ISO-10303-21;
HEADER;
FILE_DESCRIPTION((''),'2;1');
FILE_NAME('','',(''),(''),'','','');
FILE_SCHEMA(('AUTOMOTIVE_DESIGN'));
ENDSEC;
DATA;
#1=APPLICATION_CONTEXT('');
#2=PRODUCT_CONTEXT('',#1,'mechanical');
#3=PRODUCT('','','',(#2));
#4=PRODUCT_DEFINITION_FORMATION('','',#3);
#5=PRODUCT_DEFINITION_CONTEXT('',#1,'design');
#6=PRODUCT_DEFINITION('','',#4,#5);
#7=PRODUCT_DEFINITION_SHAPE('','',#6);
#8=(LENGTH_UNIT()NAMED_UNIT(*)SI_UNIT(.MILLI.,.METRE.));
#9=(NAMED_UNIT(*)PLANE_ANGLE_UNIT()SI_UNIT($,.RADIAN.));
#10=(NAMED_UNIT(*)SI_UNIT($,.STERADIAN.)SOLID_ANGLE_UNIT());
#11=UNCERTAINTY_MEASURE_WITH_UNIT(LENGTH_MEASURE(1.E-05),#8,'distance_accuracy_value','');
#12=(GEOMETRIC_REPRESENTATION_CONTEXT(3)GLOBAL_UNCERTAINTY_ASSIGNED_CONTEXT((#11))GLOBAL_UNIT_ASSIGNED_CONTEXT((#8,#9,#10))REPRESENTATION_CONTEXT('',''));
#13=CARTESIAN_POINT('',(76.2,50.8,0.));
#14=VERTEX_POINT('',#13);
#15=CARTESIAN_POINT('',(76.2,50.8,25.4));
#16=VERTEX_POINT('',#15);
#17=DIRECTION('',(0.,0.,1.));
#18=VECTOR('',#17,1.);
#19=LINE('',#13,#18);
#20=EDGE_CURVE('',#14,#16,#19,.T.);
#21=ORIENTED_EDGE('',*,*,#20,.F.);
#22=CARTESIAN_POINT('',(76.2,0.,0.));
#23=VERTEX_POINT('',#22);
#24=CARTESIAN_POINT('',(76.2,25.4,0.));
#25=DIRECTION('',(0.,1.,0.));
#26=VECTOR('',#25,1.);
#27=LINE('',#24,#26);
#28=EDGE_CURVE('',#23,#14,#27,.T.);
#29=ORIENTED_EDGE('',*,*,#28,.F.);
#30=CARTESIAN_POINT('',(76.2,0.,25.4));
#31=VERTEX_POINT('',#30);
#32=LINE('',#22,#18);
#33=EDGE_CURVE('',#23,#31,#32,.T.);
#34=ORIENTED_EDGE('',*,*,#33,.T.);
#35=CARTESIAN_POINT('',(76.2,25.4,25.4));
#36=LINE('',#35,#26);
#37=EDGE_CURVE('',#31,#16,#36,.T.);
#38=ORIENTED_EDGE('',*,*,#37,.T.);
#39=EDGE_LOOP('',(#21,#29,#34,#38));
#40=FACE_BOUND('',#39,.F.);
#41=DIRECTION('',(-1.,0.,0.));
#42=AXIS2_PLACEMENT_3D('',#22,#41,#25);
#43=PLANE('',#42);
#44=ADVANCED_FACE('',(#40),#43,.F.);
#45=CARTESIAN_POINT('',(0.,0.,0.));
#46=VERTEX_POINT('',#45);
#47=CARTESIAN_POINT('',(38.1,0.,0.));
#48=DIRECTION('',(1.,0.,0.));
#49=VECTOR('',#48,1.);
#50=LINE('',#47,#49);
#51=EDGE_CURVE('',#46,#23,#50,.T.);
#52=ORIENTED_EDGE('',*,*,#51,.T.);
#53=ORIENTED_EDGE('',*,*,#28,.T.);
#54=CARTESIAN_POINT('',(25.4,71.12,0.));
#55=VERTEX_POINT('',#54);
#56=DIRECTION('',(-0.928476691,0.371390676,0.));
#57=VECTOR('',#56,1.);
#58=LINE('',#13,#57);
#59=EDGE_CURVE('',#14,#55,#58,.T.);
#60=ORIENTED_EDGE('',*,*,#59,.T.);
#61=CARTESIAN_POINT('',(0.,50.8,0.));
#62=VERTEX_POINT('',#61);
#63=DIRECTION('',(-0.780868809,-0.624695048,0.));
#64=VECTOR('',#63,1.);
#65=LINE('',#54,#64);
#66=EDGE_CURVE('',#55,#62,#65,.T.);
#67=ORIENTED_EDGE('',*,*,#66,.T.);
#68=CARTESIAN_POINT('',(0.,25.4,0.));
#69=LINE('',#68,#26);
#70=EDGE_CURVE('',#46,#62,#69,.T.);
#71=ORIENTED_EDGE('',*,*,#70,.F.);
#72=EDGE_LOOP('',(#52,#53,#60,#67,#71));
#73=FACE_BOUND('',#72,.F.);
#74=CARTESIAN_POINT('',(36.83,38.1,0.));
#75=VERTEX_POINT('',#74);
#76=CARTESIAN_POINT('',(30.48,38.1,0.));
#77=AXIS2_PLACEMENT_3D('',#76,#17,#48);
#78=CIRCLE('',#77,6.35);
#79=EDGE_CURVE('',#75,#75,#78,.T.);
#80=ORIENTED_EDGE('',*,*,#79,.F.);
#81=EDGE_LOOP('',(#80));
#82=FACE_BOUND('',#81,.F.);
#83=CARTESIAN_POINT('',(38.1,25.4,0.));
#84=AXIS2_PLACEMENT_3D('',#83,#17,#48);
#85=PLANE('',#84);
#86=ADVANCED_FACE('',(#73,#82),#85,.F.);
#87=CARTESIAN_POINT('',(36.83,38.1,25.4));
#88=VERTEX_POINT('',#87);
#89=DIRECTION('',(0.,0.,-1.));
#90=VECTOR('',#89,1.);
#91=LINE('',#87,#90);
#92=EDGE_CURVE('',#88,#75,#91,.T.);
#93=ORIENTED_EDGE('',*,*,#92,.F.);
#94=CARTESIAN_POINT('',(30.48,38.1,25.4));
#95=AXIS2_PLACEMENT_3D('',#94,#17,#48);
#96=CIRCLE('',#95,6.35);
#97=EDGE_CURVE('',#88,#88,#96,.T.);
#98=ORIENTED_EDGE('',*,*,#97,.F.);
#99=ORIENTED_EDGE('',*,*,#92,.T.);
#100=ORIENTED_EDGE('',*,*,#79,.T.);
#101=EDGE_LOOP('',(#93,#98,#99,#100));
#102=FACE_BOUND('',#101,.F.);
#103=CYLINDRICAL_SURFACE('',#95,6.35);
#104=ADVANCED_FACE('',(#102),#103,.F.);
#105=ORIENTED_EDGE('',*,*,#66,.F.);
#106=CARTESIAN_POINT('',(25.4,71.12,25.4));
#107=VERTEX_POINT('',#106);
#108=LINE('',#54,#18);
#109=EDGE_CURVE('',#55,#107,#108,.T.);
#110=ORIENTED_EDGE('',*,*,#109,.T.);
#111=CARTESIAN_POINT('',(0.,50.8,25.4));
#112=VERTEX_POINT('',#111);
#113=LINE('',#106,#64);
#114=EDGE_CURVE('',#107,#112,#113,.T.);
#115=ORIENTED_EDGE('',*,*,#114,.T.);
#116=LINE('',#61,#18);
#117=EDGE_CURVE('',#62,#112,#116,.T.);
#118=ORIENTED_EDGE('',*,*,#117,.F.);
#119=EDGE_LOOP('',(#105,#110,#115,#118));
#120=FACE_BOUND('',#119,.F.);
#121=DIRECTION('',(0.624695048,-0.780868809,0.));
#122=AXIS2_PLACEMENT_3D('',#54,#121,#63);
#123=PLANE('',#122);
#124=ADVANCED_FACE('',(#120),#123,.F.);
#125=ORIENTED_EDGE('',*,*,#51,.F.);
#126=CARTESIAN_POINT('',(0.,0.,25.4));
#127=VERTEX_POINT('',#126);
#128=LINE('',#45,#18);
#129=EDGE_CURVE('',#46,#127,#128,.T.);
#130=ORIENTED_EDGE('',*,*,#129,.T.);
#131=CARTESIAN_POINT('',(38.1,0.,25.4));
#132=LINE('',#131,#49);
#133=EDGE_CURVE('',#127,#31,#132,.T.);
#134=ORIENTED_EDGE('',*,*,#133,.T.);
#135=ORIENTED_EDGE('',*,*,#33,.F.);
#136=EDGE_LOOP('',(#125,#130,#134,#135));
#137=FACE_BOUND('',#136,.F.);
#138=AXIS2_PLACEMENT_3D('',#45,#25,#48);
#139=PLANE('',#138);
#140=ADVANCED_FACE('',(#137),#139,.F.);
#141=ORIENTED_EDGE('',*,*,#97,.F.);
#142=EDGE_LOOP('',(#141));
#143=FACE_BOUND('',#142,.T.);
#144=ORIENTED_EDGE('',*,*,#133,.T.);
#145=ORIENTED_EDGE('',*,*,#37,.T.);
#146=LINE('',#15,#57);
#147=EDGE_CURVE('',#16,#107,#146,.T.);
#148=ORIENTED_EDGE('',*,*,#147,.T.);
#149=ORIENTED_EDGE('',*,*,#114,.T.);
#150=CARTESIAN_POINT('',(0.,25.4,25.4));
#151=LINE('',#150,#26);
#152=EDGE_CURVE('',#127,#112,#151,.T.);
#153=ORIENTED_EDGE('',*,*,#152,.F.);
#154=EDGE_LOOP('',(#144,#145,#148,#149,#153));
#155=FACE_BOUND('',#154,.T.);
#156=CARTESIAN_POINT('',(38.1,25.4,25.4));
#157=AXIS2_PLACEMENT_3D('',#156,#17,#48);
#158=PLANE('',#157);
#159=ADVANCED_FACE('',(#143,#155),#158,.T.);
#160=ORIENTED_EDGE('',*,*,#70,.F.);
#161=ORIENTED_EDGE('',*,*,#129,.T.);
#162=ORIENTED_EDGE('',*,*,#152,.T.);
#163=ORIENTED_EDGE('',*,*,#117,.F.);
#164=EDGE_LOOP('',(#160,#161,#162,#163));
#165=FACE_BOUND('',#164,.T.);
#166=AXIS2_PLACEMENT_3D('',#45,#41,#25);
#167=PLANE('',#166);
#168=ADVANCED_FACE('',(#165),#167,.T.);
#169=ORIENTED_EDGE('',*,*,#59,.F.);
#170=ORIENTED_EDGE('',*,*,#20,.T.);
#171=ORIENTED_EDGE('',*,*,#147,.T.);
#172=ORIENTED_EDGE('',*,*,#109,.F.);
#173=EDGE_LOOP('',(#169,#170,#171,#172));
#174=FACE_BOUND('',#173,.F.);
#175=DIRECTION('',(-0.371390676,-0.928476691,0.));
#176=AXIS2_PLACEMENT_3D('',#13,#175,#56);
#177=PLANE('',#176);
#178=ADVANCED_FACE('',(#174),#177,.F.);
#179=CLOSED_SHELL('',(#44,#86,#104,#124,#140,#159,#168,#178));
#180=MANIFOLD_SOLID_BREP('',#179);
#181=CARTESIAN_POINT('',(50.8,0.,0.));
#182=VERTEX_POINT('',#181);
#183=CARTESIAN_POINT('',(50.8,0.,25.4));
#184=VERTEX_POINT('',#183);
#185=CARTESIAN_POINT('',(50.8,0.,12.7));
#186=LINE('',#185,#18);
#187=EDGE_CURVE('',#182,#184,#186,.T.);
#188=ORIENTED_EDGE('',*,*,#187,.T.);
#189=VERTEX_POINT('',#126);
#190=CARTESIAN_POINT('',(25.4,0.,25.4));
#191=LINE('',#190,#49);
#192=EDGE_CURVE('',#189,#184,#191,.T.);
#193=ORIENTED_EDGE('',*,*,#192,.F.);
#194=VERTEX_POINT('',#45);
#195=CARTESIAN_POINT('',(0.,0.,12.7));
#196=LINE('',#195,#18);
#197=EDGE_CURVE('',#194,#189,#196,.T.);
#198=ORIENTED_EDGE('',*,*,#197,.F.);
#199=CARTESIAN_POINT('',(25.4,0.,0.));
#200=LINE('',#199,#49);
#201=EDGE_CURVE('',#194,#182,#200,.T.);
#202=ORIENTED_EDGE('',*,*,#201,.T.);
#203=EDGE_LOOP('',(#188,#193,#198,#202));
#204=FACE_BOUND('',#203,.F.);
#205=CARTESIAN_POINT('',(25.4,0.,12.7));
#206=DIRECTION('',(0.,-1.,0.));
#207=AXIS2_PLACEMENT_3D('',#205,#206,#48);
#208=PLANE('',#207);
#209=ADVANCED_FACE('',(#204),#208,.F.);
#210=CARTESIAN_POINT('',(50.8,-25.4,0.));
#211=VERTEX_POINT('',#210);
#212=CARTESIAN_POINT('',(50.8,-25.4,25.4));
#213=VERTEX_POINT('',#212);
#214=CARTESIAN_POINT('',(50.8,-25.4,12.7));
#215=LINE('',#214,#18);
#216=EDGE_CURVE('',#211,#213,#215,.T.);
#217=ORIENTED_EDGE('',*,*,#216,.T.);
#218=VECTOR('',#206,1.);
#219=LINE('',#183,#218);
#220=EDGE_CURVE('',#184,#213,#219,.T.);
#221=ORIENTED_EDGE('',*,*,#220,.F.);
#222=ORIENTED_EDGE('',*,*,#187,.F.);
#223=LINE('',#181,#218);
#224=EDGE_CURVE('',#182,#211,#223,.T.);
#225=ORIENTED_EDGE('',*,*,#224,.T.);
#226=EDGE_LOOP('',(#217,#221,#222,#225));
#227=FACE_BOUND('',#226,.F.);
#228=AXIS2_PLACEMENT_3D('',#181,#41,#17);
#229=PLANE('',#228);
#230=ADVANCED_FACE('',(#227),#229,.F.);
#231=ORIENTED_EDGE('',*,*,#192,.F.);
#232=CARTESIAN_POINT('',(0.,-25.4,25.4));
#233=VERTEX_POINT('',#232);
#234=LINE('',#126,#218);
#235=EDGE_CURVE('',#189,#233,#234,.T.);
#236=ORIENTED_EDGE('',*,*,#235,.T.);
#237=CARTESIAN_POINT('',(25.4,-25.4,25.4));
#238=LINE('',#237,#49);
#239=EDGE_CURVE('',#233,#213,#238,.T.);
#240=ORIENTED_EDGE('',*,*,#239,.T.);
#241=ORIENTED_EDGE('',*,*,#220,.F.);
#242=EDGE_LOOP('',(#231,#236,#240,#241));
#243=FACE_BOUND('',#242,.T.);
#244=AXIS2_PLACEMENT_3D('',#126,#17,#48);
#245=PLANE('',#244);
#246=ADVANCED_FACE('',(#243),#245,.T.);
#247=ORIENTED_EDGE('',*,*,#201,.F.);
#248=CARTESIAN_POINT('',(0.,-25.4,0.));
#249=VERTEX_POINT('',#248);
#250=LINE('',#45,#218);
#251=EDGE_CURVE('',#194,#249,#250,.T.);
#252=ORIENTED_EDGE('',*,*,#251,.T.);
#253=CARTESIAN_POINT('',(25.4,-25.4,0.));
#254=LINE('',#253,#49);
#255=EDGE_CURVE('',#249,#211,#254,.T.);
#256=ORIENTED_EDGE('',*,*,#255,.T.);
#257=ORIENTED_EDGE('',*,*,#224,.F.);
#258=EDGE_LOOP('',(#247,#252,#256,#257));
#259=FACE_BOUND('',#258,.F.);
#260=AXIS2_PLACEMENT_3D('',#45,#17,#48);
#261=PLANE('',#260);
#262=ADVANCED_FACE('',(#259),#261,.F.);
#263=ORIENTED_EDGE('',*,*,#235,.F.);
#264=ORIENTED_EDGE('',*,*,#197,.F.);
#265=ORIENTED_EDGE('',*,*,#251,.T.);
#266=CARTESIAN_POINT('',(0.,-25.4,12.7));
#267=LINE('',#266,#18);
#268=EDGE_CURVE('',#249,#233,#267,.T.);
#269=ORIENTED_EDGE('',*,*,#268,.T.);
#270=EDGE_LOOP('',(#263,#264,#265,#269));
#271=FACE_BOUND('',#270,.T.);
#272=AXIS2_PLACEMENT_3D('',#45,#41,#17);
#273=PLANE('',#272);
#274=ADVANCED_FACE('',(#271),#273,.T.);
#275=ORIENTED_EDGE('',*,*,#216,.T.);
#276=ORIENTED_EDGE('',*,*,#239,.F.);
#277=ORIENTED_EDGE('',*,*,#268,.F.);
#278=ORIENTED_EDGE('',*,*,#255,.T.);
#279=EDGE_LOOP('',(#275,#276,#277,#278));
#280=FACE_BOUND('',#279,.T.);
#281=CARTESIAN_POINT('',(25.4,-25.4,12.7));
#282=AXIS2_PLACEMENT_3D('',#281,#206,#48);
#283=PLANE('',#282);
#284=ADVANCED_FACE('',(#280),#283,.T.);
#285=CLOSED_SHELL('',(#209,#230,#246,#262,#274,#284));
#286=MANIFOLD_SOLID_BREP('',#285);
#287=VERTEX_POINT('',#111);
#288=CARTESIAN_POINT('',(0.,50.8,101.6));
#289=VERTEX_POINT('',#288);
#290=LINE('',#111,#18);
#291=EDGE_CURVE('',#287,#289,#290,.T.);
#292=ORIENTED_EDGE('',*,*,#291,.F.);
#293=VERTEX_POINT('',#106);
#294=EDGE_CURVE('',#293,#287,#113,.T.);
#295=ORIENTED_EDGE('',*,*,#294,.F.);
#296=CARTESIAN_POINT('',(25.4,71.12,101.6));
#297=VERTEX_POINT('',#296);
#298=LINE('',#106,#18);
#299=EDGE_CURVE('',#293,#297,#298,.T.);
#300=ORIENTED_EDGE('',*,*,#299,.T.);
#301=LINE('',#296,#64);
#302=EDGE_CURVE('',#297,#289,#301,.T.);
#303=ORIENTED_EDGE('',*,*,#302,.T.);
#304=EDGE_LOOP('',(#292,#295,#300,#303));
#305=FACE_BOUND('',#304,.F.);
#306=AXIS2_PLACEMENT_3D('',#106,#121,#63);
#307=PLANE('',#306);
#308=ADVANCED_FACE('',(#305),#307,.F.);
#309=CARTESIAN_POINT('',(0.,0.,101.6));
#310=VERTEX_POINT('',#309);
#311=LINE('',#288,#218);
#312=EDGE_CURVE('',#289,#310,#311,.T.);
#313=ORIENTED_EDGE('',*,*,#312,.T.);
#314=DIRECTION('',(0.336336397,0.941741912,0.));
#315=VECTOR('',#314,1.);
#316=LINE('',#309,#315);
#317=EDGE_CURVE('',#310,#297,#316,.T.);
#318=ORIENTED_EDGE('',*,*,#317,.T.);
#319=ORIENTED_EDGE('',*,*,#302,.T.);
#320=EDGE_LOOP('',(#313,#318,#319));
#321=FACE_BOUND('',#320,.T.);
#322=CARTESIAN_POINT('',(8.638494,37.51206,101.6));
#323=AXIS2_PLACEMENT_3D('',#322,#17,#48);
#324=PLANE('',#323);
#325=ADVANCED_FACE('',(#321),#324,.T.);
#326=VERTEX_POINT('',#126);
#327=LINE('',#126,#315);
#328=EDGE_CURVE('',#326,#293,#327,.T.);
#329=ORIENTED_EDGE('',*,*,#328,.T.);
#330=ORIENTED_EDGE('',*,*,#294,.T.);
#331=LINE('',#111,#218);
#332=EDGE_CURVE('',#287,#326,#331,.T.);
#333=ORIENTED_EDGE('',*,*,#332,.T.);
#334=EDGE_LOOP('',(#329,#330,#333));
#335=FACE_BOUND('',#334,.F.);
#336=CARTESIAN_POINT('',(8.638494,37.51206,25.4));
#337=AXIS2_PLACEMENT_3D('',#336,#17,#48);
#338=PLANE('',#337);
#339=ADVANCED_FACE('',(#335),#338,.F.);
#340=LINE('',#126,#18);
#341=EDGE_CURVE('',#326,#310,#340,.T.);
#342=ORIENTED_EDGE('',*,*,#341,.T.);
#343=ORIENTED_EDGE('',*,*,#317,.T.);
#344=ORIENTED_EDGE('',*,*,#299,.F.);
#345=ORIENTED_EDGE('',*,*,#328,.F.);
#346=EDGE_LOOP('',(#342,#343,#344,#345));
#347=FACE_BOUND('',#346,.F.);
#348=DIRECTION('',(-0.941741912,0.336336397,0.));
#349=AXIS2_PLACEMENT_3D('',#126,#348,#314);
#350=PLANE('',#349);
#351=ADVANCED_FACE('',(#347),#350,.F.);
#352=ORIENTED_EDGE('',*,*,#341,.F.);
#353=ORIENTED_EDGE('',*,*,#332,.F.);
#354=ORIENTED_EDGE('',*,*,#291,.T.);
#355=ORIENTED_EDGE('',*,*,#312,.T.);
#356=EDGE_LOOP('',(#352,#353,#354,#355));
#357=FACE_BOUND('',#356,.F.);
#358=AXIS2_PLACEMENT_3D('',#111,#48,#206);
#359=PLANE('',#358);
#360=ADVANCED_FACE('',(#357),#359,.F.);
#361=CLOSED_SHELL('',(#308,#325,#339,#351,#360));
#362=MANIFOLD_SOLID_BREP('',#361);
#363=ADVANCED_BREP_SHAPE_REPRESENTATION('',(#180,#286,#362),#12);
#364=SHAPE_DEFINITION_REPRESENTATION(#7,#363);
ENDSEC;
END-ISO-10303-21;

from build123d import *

# Parameters (mm, degrees)
F0_W     = 76.2
F0_H     = 50.8
F1_DEPTH = 25.4
F2_W     = 50.8
F2_H     = 25.4
F3_DEPTH = 25.4
F5_DEPTH = 76.2
F6_R     = 6.35
F7_DEPTH = 25.401


with BuildPart() as f1:
    # F0 (on Top) → F1 (new body)
    with BuildSketch(Plane.XY):
        with Locations((38.1, 25.4)):
            Rectangle(F0_W, F0_H)
        Polygon((25.4, 71.12), (0, 50.8), (76.2, 50.8), align=None)
    extrude(amount=F1_DEPTH)

    # F6 (on face) → F7 (cut, through all)
    with BuildSketch(Plane.XY.offset(25.4)):
        with Locations((30.48, 38.1)):
            Circle(F6_R)
    extrude(amount=-F7_DEPTH, mode=Mode.SUBTRACT)


with BuildPart() as f3:
    # F2 (on face) → F3 (new body)
    with BuildSketch(Plane.XZ):
        with Locations((25.4, 12.7)):
            Rectangle(F2_W, F2_H)
    extrude(amount=F3_DEPTH)


with BuildPart() as f5:
    # F4 (on face) → F5 (new body)
    with BuildSketch(Plane.XY.offset(25.4)):
        Polygon((0, 50.8), (0, 0), (25.4, 71.12), align=None)
    extrude(amount=F5_DEPTH)


solid = Compound([f1.part, f3.part, f5.part])
